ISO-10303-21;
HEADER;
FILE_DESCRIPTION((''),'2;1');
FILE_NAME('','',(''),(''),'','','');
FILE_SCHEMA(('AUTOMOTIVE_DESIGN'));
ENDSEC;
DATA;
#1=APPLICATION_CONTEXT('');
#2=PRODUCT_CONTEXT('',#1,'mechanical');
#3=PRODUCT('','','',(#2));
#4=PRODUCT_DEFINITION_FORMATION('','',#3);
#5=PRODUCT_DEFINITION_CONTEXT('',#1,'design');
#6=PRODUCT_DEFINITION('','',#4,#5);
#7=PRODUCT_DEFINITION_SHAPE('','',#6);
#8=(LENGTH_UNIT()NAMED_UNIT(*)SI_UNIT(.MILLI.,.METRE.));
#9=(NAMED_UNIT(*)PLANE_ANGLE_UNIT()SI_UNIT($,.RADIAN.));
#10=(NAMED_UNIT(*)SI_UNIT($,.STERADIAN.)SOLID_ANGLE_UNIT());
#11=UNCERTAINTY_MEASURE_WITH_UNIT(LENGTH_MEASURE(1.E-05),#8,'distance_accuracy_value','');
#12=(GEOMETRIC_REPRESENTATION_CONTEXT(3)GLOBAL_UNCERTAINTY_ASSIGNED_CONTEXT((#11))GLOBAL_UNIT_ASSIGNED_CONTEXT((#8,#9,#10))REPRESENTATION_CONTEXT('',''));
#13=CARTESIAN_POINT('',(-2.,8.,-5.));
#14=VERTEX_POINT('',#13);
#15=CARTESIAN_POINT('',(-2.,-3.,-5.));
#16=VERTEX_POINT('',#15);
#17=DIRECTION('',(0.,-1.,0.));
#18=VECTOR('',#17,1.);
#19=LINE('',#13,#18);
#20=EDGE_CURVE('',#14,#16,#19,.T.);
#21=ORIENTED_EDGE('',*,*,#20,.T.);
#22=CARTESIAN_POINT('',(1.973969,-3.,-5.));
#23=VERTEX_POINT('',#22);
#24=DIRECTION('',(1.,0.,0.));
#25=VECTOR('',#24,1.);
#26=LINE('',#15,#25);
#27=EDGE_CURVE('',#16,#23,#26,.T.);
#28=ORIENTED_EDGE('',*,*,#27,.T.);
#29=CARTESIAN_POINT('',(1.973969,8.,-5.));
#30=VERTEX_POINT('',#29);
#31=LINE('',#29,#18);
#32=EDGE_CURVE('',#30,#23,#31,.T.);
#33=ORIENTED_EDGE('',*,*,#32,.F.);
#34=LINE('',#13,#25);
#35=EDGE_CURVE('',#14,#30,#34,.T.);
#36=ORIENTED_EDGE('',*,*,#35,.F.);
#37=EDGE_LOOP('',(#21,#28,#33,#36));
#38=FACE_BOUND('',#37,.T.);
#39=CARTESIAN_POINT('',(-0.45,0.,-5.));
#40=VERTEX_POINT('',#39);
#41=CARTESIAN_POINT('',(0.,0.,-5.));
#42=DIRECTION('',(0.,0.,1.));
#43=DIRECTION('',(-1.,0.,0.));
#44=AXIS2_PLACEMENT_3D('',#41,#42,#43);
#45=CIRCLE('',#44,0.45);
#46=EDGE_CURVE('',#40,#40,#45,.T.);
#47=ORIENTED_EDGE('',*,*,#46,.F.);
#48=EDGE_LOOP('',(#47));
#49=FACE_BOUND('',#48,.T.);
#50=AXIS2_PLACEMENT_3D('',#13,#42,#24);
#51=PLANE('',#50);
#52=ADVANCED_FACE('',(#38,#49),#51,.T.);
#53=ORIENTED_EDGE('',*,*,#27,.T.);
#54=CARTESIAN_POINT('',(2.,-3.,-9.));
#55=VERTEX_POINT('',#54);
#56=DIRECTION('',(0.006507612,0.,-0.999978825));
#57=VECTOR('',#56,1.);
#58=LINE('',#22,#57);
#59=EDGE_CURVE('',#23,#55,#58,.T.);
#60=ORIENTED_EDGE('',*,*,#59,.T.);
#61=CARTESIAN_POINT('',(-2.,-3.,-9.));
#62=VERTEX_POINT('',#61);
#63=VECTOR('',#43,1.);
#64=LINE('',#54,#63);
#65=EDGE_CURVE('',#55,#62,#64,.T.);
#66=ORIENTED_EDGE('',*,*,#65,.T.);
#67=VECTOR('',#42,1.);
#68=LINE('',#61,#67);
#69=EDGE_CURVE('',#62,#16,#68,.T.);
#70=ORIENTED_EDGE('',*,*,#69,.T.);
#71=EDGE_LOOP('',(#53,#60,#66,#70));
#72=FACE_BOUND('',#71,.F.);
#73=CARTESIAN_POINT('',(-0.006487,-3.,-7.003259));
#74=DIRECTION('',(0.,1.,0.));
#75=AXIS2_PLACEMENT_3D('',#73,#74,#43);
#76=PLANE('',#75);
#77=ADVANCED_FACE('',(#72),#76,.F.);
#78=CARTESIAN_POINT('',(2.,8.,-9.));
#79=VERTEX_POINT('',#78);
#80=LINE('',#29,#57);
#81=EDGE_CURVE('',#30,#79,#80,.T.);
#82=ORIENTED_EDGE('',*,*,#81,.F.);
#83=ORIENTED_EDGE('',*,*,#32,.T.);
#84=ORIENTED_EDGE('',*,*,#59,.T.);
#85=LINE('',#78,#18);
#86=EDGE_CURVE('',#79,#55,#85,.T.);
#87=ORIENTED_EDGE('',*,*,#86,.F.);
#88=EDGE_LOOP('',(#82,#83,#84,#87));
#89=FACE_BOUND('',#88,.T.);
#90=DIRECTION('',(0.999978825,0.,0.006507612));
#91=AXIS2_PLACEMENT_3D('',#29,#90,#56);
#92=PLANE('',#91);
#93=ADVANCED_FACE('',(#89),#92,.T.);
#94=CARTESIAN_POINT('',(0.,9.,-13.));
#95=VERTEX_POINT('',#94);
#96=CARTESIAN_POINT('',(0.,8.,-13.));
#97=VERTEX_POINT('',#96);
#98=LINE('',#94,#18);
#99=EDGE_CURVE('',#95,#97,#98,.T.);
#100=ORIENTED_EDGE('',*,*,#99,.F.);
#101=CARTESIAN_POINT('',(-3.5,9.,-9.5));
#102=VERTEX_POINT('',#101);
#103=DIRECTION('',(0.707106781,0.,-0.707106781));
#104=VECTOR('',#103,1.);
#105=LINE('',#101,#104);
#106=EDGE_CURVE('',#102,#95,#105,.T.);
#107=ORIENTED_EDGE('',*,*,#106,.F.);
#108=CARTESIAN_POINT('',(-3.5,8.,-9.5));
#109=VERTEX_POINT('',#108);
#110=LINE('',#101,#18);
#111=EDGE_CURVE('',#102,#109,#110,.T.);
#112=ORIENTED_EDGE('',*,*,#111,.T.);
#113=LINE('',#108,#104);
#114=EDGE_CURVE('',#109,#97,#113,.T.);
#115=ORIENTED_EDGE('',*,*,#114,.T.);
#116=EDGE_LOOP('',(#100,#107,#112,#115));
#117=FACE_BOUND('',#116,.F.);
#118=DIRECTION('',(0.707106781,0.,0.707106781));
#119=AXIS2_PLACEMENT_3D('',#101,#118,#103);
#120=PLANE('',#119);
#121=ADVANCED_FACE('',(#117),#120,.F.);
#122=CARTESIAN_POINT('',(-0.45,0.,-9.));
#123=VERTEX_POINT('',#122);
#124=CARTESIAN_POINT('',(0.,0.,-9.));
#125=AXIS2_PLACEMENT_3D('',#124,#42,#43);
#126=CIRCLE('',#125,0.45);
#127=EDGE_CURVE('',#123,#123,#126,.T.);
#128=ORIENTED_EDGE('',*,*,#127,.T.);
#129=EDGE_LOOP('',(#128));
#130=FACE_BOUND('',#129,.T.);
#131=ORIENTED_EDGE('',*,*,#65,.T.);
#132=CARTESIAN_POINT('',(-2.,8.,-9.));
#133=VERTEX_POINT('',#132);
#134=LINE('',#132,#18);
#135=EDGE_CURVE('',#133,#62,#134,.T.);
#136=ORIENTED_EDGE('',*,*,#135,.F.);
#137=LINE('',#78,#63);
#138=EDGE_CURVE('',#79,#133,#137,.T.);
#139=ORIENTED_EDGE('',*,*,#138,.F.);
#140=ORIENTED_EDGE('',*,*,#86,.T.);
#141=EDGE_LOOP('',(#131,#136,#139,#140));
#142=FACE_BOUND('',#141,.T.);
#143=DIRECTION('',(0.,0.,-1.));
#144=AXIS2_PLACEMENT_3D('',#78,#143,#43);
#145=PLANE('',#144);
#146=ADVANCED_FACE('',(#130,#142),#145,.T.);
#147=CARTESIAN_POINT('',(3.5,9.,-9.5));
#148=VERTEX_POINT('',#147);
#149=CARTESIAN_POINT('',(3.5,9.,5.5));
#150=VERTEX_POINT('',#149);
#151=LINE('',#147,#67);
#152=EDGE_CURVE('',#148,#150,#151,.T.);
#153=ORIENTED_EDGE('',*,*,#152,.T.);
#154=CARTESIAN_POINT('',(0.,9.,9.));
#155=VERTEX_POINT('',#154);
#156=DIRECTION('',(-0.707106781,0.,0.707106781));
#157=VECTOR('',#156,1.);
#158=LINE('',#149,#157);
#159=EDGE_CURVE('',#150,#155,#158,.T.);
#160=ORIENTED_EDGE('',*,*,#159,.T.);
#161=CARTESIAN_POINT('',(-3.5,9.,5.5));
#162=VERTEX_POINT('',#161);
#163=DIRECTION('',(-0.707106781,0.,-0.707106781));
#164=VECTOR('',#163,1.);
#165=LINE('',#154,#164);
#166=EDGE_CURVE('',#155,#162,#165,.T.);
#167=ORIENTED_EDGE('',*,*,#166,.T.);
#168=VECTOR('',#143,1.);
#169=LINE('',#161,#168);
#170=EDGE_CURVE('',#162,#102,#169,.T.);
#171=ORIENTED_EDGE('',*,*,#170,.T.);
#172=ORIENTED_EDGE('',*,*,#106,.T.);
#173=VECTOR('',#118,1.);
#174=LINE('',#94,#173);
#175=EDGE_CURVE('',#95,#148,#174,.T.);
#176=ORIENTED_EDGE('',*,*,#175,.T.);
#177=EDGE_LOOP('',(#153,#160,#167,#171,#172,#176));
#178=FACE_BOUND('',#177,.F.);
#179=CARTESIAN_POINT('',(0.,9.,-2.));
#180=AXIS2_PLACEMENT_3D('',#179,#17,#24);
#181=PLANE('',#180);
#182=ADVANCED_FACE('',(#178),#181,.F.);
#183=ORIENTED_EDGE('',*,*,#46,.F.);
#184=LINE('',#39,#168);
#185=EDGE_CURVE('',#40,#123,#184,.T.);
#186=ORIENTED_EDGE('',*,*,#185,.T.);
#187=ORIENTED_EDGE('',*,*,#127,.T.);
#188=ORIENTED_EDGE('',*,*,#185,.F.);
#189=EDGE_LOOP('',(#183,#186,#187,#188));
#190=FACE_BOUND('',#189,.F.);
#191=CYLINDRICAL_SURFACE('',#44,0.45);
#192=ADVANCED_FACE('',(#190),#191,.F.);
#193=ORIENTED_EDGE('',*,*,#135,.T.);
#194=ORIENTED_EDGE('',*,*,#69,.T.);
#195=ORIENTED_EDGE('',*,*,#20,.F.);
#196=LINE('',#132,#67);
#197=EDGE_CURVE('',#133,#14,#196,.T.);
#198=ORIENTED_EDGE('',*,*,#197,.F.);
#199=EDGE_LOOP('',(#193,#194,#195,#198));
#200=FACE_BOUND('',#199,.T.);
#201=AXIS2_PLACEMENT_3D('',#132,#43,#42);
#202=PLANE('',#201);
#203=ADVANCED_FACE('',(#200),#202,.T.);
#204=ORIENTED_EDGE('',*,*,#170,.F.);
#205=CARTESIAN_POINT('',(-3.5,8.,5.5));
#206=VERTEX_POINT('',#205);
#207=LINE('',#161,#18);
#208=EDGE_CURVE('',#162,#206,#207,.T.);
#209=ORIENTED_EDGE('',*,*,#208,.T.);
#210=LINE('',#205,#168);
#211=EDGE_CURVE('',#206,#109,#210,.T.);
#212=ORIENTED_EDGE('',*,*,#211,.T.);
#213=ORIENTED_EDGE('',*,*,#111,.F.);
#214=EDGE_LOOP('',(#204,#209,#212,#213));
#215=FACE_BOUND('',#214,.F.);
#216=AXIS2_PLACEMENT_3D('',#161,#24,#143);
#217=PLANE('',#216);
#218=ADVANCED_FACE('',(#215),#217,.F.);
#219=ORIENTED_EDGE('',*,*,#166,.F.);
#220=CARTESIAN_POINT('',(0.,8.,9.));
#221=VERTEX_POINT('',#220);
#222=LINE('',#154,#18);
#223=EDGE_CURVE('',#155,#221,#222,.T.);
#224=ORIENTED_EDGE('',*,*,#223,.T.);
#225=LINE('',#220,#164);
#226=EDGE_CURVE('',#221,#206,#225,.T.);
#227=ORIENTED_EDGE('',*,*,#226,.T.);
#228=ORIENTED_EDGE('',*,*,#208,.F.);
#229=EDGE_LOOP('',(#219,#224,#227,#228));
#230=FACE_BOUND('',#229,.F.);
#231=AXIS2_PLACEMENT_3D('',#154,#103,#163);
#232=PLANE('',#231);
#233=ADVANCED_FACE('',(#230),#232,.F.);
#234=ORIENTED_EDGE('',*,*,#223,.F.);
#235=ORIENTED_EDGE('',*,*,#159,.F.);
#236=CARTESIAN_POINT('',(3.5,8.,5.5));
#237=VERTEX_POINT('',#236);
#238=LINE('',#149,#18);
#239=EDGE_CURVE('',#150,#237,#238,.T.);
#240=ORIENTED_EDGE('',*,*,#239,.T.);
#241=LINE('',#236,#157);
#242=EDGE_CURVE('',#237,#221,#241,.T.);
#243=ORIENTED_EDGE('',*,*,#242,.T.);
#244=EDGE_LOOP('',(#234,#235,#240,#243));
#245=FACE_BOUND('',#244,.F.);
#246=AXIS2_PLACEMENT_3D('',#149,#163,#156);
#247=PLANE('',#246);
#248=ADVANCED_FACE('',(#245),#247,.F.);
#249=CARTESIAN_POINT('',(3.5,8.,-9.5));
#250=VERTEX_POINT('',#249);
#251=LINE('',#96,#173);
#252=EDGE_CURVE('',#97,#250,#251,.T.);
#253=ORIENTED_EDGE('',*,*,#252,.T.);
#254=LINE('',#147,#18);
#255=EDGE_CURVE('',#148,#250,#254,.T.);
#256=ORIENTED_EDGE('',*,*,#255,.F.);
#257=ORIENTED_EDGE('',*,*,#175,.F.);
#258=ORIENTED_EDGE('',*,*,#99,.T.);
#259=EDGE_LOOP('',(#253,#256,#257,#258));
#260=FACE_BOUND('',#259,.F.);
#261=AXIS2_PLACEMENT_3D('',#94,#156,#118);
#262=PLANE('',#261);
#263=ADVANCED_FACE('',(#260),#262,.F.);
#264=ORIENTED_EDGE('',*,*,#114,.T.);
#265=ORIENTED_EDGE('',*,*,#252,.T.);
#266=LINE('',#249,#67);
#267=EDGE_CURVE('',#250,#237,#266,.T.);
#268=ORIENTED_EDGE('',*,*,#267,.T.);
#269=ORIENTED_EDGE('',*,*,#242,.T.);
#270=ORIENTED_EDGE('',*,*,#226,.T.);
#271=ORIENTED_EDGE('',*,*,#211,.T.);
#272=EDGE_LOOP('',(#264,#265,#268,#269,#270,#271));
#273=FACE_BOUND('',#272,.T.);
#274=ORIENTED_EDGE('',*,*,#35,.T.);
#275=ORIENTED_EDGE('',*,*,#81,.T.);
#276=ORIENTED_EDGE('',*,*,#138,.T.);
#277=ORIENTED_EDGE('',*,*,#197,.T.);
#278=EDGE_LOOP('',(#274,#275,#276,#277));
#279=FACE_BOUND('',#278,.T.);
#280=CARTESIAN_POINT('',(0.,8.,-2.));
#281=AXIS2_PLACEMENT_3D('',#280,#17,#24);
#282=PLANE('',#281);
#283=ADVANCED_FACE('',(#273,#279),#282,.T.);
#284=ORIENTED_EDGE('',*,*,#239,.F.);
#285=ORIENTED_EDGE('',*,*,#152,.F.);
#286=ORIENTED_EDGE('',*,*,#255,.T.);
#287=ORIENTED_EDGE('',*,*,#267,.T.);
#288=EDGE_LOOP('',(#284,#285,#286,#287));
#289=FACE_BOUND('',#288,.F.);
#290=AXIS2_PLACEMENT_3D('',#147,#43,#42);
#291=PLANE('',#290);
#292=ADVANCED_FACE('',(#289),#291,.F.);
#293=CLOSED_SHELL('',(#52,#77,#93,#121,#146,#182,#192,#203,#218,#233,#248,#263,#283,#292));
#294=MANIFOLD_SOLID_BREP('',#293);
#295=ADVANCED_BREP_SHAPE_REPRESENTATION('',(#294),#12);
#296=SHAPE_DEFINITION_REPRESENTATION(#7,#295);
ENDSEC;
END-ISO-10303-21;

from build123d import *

# Parameters (mm, degrees)
PAD005_DEPTH            = 1
PAD006_DEPTH            = 11
SKETCH007_R             = 0.45
POCKET_DEPTH            = 10
BODY003_PLACEMENT_ANGLE = 90


with BuildPart() as part:
    # Sketch005 → Pad005 (new body)
    with BuildSketch(Plane.XY):
        Polygon((0, -11), (3.5, -7.5), (3.5, 7.5), (0, 11), (-3.5, 7.5), (-3.5, -7.5), align=None)
    extrude(amount=PAD005_DEPTH)

    # Sketch006 (on Face8 of Pad005) → Pad006 (join)
    with BuildSketch(Plane.XY.offset(1)):
        Polygon((-2, -3), (1.973969, -3), (2, -7), (-2, -7), align=None)
    extrude(amount=PAD006_DEPTH)

    # Sketch007 (on Face12 of Pad006) → Pocket (cut)
    with BuildSketch(Plane(origin=(0, -3, 0), x_dir=(-1, 0, 0), z_dir=(0, 1, 0))):
        with Locations((0, 9)):
            Circle(SKETCH007_R)
    extrude(amount=-POCKET_DEPTH, mode=Mode.SUBTRACT)


with BuildPart() as part_1:
    # Body003 placement: moved
    add(part.part.moved(Location((0, 9, -2))).rotate(Axis((0, 9, -2), (1, 0, 0)), BODY003_PLACEMENT_ANGLE))


solid = part_1.part
